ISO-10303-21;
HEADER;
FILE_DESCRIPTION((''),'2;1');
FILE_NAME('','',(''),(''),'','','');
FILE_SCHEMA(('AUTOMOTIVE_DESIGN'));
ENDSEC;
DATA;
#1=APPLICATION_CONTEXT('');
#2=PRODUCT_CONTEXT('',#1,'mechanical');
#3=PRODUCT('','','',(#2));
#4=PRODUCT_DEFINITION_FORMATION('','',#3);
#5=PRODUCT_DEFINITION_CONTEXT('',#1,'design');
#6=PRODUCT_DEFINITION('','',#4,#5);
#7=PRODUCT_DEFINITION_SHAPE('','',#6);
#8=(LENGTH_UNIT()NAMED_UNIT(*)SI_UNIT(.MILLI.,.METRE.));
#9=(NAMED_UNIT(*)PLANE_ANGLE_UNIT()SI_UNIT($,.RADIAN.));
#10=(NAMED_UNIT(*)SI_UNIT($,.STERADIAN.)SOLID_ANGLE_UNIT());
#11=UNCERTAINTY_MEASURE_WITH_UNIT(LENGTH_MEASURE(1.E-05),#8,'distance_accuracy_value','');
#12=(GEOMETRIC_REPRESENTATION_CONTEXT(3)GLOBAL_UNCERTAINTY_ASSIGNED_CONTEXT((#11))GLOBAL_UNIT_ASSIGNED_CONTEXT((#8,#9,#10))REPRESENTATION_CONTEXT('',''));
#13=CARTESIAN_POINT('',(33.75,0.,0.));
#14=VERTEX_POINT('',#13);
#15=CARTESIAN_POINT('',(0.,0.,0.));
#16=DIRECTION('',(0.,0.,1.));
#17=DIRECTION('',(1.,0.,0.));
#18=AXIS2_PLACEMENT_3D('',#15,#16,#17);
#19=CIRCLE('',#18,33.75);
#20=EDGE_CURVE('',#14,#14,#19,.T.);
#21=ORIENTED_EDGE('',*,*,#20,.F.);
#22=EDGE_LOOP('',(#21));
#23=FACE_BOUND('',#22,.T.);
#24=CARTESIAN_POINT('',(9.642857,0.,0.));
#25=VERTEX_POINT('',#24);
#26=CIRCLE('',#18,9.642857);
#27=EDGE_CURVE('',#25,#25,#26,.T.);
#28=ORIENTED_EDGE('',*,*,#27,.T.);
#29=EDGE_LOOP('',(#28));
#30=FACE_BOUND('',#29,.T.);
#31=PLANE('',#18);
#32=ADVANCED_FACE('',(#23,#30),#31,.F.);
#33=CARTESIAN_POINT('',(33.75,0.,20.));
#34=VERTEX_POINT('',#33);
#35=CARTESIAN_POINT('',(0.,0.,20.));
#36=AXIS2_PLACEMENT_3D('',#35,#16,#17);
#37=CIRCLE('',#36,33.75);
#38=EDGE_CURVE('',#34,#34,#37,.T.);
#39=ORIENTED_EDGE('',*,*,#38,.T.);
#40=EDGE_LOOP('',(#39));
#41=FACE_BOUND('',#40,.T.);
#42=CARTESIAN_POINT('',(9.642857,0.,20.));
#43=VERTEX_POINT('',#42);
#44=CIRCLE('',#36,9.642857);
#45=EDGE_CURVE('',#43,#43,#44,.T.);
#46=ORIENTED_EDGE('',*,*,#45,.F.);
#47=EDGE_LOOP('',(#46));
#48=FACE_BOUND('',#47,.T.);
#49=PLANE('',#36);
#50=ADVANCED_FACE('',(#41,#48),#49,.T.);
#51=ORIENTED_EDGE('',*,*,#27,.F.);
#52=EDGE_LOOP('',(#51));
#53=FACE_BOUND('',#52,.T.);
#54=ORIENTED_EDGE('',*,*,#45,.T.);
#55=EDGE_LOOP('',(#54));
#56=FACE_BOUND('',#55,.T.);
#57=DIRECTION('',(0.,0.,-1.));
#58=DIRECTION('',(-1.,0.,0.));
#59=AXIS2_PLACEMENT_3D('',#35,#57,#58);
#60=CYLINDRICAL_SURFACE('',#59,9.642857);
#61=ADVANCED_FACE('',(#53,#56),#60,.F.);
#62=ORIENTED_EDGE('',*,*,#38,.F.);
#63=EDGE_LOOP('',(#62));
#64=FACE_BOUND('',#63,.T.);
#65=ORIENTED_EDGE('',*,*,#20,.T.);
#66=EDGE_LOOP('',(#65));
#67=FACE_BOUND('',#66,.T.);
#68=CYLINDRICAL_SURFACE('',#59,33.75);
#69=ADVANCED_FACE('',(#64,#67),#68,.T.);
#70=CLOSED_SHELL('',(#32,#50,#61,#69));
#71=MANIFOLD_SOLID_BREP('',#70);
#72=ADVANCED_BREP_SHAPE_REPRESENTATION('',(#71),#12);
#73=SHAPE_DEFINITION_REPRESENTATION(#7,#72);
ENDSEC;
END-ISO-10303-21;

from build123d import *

# Parameters (mm, degrees)
SKICA1_R                = 33.75
SKICA1_R_2              = 9.642857143
P_IDAT_VYSUNUT_M1_DEPTH = 20


with BuildPart() as part:
    # Skica1 → Přidat vysunutím1 (new body)
    with BuildSketch(Plane.XY):
        Circle(SKICA1_R)
        Circle(SKICA1_R_2, mode=Mode.SUBTRACT)
    extrude(amount=P_IDAT_VYSUNUT_M1_DEPTH)


solid = part.part
